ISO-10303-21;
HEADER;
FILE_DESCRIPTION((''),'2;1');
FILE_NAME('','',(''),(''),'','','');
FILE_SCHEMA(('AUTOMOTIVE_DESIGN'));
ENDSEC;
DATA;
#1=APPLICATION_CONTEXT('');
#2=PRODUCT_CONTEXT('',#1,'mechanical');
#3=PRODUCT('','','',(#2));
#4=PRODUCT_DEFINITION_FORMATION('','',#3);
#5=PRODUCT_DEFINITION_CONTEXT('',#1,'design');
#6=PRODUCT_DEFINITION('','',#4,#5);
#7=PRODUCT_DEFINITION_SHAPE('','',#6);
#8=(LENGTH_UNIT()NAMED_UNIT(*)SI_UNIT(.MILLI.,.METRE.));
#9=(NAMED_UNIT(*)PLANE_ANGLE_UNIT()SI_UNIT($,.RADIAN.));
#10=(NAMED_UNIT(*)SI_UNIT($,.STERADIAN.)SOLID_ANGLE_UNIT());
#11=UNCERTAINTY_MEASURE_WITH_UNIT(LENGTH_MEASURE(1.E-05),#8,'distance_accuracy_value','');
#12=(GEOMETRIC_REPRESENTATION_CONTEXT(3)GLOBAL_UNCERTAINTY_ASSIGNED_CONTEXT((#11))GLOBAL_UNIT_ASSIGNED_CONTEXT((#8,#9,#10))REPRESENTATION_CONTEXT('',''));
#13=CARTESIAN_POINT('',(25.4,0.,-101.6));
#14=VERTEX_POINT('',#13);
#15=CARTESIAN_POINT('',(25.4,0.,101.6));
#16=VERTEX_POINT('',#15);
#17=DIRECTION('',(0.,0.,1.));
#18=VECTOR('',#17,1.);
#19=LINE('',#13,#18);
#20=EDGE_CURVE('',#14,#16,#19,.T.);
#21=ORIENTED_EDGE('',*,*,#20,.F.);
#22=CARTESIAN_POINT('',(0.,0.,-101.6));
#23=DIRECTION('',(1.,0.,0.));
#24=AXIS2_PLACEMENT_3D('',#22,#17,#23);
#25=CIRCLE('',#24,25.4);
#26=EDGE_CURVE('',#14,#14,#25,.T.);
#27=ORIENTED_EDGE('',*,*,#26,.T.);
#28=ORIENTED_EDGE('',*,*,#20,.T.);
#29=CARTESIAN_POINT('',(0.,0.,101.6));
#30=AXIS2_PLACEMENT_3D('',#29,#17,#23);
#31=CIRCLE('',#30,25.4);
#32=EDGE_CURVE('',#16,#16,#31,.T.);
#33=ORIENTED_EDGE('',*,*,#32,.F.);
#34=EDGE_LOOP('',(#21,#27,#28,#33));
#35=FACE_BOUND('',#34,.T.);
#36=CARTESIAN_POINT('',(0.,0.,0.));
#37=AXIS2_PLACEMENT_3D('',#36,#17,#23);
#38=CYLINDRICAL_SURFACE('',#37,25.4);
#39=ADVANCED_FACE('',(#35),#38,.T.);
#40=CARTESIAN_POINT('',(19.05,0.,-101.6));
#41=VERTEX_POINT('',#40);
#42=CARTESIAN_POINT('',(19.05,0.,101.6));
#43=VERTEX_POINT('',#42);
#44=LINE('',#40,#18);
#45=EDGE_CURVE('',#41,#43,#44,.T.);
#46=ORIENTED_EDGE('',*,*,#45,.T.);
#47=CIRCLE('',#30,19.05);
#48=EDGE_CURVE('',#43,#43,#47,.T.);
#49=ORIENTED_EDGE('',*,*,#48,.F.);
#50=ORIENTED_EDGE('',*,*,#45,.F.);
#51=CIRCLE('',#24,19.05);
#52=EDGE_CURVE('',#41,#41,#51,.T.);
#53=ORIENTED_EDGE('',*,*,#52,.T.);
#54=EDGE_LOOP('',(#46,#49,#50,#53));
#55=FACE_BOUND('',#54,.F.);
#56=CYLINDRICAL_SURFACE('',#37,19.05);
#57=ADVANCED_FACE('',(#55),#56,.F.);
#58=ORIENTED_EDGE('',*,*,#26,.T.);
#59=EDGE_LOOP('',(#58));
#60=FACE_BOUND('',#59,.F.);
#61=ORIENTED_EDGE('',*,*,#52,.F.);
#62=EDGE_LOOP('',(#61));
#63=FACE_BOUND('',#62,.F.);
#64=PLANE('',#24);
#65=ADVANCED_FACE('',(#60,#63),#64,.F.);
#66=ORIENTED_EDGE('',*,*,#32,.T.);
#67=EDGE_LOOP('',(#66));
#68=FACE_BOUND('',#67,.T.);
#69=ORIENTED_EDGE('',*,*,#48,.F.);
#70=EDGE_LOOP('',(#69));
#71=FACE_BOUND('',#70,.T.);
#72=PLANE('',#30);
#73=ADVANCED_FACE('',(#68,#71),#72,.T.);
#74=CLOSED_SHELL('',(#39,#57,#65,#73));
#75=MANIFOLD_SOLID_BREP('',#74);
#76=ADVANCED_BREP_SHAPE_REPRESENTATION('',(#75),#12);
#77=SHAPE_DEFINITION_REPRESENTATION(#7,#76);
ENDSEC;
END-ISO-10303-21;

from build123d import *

# Parameters (mm, degrees)
F0_R     = 25.4
F1_DEPTH = 101.6
F2_T     = -6.35


with BuildPart() as f1:
    # F0 (on Top) → F1 (new body, symmetric)
    with BuildSketch(Plane.XY):
        Circle(F0_R)
    extrude(amount=F1_DEPTH, both=True)

    # F2
    f2_openings = [f1.faces().sort_by_distance(p)[0] for p in [
        (0, 0, 101.6),
        (0, 0, -101.6),
    ]]
    offset(amount=F2_T, openings=f2_openings)


solid = f1.part
